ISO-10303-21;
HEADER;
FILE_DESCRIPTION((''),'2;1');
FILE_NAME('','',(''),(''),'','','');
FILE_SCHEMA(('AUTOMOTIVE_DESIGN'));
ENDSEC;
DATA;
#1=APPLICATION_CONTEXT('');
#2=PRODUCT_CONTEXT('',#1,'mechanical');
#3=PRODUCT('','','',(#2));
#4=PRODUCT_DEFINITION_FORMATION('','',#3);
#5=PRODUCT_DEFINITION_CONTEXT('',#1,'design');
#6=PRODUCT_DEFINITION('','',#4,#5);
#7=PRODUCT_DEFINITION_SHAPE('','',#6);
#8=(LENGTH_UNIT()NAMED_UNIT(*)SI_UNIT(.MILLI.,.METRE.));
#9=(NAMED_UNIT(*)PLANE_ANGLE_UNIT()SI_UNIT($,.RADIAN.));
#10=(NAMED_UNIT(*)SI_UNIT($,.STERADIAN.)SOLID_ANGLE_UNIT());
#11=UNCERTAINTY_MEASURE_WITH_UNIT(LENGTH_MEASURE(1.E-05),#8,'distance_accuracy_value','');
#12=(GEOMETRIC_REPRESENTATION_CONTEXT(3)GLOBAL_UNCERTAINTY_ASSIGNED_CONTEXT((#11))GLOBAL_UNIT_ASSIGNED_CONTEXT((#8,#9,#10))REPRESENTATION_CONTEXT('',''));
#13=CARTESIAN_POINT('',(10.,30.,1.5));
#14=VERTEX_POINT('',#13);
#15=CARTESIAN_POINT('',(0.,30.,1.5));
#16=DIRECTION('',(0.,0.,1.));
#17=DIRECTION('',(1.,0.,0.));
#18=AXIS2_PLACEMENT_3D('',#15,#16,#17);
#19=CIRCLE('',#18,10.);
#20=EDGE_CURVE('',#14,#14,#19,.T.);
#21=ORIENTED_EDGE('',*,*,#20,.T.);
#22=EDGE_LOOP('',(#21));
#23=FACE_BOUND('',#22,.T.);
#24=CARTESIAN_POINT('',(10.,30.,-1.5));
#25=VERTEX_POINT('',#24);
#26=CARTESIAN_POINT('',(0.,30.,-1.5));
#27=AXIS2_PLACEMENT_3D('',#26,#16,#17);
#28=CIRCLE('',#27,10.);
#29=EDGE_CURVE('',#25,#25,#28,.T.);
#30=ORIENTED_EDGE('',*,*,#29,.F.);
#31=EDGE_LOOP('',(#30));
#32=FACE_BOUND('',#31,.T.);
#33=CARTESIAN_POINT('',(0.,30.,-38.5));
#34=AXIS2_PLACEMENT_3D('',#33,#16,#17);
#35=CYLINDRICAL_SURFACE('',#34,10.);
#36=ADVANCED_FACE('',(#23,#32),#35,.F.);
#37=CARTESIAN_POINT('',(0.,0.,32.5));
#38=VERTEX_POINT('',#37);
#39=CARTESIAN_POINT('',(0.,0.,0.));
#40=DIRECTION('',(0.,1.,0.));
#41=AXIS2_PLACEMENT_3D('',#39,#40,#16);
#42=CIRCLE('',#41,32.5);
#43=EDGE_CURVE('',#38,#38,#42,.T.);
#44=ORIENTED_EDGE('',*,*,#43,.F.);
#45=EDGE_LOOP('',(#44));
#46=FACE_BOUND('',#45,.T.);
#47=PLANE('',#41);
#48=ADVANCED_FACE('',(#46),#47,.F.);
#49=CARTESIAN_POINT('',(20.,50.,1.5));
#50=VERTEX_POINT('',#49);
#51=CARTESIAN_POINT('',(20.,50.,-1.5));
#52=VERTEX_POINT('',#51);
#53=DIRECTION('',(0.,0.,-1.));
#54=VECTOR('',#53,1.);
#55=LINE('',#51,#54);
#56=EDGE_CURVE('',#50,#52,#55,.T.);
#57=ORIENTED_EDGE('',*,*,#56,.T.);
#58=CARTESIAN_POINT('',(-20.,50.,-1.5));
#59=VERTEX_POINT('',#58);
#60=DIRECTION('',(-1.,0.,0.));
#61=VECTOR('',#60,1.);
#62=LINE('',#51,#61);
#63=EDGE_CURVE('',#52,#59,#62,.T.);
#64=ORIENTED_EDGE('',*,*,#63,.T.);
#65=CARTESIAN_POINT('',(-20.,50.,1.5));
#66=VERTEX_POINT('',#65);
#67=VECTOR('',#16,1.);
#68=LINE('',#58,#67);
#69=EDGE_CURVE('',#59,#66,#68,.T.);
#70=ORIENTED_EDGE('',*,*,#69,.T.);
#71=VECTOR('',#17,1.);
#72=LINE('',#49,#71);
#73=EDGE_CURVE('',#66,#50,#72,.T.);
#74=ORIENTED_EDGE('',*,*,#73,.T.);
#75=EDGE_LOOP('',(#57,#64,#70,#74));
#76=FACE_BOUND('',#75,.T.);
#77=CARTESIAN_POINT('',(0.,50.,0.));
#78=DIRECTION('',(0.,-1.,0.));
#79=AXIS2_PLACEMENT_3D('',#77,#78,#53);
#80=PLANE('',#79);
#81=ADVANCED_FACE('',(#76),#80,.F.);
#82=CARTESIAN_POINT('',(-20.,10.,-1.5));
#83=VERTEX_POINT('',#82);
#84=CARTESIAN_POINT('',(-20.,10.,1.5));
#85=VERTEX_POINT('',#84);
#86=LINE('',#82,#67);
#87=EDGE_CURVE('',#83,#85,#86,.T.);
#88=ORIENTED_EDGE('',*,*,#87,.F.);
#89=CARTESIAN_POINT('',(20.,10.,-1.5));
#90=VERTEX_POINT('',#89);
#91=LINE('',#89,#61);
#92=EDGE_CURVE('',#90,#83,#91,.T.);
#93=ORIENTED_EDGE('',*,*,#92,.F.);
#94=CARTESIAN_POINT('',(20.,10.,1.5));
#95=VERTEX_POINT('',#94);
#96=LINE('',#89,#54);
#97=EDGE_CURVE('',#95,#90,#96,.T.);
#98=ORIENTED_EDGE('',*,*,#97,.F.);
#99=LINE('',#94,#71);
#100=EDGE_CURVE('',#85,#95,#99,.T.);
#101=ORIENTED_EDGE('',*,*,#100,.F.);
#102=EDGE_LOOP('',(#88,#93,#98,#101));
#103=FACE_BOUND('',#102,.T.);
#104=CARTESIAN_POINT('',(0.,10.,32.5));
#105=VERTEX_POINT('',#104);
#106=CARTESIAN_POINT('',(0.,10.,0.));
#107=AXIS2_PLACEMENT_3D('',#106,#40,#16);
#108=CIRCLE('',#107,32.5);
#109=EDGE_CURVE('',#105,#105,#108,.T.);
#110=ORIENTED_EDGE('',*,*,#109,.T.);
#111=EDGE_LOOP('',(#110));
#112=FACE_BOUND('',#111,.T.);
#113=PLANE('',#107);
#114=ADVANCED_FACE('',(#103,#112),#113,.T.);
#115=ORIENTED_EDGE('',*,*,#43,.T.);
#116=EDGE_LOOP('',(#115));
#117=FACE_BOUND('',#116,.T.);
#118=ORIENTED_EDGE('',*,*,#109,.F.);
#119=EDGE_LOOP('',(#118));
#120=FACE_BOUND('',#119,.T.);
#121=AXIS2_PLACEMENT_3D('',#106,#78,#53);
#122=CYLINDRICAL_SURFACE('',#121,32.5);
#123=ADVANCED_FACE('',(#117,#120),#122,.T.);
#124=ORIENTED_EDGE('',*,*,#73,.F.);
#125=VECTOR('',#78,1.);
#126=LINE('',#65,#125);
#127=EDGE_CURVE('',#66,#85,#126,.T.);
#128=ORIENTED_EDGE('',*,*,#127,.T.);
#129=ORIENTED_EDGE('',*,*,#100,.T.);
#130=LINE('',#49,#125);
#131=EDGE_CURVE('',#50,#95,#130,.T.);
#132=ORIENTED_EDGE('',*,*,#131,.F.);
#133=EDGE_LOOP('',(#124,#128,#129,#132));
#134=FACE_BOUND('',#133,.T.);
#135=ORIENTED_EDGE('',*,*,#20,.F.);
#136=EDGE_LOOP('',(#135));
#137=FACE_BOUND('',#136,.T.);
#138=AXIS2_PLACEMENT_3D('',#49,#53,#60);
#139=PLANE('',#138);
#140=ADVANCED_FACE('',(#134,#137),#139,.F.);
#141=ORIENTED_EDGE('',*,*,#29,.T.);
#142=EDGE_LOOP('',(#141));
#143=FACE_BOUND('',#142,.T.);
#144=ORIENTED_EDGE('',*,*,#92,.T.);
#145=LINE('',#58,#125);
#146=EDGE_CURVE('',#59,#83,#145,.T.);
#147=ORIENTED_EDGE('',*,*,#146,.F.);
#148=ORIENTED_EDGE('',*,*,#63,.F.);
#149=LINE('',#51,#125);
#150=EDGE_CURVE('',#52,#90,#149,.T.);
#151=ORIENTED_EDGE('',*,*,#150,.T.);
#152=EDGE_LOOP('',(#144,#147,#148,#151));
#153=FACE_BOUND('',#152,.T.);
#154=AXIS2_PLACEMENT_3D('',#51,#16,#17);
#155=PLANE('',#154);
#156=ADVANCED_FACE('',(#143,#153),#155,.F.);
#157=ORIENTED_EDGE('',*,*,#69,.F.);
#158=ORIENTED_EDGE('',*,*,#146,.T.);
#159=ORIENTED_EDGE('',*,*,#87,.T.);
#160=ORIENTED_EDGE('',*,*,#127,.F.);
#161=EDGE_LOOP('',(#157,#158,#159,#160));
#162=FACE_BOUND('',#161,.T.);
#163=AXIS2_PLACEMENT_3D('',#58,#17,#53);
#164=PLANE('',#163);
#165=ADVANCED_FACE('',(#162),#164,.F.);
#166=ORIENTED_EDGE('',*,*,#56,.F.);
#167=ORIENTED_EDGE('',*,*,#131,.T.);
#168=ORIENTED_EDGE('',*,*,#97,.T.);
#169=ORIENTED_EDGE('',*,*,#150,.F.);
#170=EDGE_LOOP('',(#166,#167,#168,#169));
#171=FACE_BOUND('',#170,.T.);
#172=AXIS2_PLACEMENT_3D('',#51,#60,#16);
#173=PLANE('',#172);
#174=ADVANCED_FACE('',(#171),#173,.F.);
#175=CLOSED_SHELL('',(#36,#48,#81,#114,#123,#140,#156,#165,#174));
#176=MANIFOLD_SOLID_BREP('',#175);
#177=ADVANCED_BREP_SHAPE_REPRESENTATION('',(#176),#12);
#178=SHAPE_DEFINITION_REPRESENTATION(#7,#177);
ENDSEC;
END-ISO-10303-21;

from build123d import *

# Parameters (mm, degrees)
SKETCH1_R           = 32.5
BOSS_EXTRUDE1_DEPTH = 10
SKETCH4_W           = 40
SKETCH4_H           = 3
BOSS_EXTRUDE3_DEPTH = 40
SKETCH5_R           = 10
CUT_EXTRUDE2_DEPTH  = 40


with BuildPart() as part:
    # Sketch1 → Boss-Extrude1 (new body)
    with BuildSketch(Plane(origin=(0, 0, 0), x_dir=(1, 0, 0), z_dir=(0, 1, 0))):
        with Locations(Location((0, 0, 0), (0, 0, 270))):
            Circle(SKETCH1_R)
    extrude(amount=BOSS_EXTRUDE1_DEPTH)

    # Sketch4 → Boss-Extrude3 (add)
    with BuildSketch(Plane(origin=(0, 10, 0), x_dir=(1, 0, 0), z_dir=(0, 1, 0))):
        Rectangle(SKETCH4_W, SKETCH4_H)
    extrude(amount=BOSS_EXTRUDE3_DEPTH)

    # Sketch5 → Cut-Extrude2 (cut)
    with BuildSketch(Plane.XY.offset(1.5)):
        with Locations((0, 30)):
            Circle(SKETCH5_R)
    extrude(amount=-CUT_EXTRUDE2_DEPTH, mode=Mode.SUBTRACT)


solid = part.part
